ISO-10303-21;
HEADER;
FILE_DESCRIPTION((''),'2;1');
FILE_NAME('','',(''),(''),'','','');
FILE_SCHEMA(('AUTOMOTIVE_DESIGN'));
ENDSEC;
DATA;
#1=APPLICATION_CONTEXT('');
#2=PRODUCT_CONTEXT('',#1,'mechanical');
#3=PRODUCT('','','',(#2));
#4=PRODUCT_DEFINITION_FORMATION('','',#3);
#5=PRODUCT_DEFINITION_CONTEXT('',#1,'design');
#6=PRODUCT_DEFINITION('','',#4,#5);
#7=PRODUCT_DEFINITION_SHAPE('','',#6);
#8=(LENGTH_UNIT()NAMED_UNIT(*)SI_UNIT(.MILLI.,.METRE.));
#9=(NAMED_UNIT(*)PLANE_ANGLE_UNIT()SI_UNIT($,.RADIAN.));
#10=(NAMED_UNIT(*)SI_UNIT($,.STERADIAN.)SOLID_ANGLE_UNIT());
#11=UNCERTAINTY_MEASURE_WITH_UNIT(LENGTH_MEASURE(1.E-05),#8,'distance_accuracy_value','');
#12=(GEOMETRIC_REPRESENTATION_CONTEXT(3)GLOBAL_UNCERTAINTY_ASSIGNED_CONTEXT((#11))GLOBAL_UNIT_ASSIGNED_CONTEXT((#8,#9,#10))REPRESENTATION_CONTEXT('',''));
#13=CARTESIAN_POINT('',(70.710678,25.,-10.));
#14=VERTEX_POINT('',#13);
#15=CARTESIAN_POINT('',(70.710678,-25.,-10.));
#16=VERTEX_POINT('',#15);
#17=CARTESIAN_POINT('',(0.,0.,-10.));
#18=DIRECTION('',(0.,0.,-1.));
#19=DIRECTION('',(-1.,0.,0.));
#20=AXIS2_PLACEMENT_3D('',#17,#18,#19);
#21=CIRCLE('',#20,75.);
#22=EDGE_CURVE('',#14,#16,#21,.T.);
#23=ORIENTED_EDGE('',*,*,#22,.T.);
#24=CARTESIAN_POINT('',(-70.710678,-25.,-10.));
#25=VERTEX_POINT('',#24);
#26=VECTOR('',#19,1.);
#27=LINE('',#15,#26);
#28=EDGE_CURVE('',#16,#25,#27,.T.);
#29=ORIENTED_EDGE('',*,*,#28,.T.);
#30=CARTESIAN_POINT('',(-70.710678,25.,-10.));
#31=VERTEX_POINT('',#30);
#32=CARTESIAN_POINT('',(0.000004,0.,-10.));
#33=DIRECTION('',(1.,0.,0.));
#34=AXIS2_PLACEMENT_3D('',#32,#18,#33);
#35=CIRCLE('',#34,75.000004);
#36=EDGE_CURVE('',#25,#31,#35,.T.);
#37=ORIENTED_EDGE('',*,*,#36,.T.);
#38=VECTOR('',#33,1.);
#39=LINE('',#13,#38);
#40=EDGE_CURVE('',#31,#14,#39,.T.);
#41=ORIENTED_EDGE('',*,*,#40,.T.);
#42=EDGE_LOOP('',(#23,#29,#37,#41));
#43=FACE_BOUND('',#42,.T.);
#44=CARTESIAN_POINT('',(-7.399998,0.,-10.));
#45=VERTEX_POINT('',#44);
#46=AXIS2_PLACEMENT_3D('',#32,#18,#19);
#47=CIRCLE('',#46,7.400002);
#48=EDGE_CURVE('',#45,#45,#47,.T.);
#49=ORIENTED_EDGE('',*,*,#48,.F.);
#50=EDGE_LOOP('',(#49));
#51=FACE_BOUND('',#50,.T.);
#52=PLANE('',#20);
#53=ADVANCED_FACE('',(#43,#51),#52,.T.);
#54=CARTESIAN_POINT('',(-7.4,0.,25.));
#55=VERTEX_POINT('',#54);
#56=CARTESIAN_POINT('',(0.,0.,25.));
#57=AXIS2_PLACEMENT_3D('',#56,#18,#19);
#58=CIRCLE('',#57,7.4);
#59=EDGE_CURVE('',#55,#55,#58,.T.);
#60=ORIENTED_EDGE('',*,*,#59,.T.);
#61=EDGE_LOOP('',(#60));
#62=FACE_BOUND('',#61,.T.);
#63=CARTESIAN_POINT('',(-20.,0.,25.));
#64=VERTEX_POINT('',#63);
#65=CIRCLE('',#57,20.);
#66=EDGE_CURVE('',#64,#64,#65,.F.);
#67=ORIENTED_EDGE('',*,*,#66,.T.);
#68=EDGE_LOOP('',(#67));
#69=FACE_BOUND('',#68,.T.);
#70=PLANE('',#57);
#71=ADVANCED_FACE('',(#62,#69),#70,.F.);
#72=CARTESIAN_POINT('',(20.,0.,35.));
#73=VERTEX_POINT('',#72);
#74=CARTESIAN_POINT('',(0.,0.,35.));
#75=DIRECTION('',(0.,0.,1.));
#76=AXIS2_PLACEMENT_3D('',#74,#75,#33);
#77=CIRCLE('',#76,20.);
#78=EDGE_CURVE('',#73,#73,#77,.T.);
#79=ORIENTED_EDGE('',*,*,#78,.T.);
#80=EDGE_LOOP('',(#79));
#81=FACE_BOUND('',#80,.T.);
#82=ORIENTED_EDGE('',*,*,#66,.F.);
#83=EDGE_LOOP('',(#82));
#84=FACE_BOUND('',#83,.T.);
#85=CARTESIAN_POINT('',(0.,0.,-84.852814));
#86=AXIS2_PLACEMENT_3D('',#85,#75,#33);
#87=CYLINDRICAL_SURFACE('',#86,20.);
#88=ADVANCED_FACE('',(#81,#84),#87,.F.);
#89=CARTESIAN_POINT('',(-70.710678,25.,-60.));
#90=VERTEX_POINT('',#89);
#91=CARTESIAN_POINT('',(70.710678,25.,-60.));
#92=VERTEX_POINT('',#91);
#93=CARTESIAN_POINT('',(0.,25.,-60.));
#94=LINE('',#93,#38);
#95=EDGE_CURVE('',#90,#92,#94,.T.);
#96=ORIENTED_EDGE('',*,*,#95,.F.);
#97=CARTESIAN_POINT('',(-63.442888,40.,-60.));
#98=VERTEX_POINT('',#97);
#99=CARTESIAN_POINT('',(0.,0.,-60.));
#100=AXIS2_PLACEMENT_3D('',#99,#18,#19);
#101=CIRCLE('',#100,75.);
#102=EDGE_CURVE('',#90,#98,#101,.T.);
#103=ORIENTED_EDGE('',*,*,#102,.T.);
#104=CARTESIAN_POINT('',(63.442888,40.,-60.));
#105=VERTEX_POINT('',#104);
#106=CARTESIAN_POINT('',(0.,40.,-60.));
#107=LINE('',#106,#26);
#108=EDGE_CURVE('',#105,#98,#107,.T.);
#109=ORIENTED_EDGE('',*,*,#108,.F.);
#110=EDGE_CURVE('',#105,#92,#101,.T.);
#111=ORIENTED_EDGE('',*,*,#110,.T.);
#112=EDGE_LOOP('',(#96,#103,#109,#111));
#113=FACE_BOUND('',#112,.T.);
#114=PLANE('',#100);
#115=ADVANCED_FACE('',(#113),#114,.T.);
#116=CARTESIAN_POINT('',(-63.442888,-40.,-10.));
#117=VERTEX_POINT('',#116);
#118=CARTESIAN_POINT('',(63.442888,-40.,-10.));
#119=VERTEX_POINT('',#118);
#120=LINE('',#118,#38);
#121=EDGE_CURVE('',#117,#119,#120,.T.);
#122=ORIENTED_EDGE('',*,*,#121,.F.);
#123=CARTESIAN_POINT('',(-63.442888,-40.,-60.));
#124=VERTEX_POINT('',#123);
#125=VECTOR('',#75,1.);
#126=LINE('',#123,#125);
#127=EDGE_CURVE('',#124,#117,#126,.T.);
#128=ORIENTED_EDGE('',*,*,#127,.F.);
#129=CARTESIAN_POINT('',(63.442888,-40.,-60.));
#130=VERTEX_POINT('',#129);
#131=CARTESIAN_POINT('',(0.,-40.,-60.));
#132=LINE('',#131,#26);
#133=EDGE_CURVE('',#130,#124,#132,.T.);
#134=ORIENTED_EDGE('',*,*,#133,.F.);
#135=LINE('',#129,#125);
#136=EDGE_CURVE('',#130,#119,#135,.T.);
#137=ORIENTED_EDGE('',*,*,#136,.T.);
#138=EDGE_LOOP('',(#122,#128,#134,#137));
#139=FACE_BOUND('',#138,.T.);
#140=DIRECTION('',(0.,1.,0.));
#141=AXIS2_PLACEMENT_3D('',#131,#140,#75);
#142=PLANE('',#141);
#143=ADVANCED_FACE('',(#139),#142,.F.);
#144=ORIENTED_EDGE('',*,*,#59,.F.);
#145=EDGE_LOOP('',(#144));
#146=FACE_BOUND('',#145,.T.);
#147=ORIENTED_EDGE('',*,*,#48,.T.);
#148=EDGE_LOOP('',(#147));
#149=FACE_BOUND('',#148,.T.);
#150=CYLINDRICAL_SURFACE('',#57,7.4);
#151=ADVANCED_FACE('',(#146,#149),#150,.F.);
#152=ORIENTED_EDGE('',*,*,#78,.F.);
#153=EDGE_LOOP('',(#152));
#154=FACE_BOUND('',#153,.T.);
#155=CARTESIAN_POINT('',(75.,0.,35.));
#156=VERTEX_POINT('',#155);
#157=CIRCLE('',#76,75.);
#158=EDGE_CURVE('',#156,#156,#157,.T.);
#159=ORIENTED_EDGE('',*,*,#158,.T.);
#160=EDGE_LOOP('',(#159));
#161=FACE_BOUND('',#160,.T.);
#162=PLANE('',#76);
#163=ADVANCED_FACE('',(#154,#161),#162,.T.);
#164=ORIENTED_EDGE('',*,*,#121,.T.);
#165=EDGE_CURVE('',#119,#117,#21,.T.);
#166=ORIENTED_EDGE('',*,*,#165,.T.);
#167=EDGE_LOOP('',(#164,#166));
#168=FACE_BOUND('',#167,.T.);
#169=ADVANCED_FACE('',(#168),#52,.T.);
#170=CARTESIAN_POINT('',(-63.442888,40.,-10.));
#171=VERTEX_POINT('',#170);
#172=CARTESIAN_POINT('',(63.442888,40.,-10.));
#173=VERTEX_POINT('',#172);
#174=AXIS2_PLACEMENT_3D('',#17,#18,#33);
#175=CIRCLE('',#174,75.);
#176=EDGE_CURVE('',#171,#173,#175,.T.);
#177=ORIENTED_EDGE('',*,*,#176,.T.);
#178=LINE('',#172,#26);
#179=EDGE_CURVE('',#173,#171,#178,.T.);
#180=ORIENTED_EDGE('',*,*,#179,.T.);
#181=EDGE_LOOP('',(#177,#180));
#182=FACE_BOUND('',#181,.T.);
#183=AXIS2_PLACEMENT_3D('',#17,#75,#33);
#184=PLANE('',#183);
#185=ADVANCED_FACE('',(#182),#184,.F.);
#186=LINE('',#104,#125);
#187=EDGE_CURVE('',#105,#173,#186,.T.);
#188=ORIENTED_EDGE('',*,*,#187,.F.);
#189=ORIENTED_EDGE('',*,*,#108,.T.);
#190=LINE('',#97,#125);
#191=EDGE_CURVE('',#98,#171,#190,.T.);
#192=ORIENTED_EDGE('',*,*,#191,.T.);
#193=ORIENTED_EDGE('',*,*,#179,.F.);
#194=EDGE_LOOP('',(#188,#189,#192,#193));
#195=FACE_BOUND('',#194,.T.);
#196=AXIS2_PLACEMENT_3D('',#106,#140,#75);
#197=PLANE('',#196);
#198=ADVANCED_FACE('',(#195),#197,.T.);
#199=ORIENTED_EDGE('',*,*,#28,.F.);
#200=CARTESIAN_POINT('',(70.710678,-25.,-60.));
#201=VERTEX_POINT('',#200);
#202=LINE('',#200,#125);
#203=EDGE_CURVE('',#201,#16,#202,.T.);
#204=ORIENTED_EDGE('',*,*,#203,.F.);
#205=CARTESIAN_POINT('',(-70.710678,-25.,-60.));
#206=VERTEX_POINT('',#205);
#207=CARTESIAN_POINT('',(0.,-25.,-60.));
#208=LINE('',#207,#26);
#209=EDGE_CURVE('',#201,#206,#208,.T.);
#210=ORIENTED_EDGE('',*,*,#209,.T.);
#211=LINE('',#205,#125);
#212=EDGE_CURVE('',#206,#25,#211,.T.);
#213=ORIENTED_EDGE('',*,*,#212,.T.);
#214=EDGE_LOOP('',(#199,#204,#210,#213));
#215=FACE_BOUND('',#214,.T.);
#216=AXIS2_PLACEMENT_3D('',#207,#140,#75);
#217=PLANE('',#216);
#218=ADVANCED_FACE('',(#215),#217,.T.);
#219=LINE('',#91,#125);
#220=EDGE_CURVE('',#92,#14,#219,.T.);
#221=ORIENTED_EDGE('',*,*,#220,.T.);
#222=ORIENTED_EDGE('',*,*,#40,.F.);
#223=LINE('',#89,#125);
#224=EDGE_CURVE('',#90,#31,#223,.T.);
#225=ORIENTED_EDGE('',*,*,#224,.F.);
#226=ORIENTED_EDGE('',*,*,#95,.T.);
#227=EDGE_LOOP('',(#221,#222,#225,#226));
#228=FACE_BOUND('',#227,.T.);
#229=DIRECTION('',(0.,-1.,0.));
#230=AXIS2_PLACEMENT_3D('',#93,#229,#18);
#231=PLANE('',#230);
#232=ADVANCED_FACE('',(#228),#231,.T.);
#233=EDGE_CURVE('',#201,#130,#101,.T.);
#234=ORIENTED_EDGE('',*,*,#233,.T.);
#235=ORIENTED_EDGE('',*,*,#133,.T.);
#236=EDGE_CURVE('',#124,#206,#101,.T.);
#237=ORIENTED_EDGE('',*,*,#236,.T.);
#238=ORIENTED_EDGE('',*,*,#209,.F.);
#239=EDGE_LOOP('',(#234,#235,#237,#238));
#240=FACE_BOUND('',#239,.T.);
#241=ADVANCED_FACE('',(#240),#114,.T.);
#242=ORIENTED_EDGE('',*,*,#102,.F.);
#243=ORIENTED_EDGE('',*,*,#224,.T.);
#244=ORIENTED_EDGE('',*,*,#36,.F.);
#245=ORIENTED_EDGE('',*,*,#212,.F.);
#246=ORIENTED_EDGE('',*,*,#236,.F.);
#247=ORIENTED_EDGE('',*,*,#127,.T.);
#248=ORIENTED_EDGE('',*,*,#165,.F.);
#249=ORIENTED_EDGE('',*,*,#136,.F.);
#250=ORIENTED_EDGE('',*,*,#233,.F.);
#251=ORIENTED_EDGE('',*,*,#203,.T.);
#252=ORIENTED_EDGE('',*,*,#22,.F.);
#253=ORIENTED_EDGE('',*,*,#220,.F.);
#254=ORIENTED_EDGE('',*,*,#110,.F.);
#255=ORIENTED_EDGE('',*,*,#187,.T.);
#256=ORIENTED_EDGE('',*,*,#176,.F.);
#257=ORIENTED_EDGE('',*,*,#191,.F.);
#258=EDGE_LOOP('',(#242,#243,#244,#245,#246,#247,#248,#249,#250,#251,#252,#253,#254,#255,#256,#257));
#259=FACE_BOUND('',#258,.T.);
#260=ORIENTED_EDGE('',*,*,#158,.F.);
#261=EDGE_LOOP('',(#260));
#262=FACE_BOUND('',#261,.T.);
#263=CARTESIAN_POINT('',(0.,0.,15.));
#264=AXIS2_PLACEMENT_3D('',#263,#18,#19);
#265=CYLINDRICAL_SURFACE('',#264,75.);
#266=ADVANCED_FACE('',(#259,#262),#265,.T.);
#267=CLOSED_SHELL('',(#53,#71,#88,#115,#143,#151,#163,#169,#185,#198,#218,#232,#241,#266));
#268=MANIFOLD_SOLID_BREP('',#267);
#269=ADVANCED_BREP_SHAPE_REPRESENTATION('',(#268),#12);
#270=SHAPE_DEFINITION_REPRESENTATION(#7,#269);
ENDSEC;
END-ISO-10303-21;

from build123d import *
from build123d.topology import SkipClean

# Parameters (mm, degrees)
CROQUIS1_R              = 75
SALIENTE_EXTRUIR1_DEPTH = 15
SALIENTE_EXTRUIR2_START = 60
SALIENTE_EXTRUIR2_DEPTH = 60
CROQUIS3_R              = 75
CROQUIS3_R_2            = 60
SALIENTE_EXTRUIR3_DEPTH = 20
CROQUIS4_R              = 25
CORTAR_EXTRUIR1_DEPTH   = 20
SALIENTE_EXTRUIR4_START = -30
CROQUIS5_R              = 60
CROQUIS5_R_2            = 30
SALIENTE_EXTRUIR4_DEPTH = 30
CROQUIS6_R              = 30
CROQUIS6_R_2            = 25
SALIENTE_EXTRUIR5_DEPTH = 10
SALIENTE_EXTRUIR6_START = -35
CROQUIS7_R              = 30
CROQUIS7_R_2            = 20
SALIENTE_EXTRUIR6_DEPTH = 35
CROQUIS8_R              = 20
CROQUIS8_R_2            = 7.4
SALIENTE_EXTRUIR7_DEPTH = 25
SALIENTE_EXTRUIR9_START = 10
CROQUIS9_R              = 7.400002037
SALIENTE_EXTRUIR9_DEPTH = 10


with BuildPart() as part:
    # Croquis1 → Saliente-Extruir1 (new body)
    with BuildSketch(Plane.XY):
        Circle(CROQUIS1_R)
    extrude(amount=SALIENTE_EXTRUIR1_DEPTH)

    # Croquis2 → Saliente-Extruir2 (add)
    with SkipClean():  # the faces are left unmerged after this step: merging them gives an invalid solid
        with BuildSketch(Plane(origin=(0, 0, 0), x_dir=(-1, 0, 0), z_dir=(0, 0, -1)).offset(SALIENTE_EXTRUIR2_START)):
            with BuildLine():
                Line((-70.710678119, 25), (0, 25))
                Line((0, 25), (0, 40))
                Line((0, 40), (-63.442887702, 40))
                ThreePointArc((-63.442887702, 40), (-67.494776136, 32.70252581), (-70.710678119, 25))
            make_face()
            with BuildLine():
                Line((0, 40), (0, 25))
                Line((0, 25), (70.710678119, 25))
                ThreePointArc((70.710678119, 25), (67.494776136, 32.70252581), (63.442887702, 40))
                Line((63.442887702, 40), (0, 40))
            make_face()
            with BuildLine():
                Line((-70.710678119, 25), (0, 25))
                Line((0, 25), (0, 40))
                Line((0, 40), (-63.442887702, 40))
                ThreePointArc((-63.442887702, 40), (-67.494776136, 32.70252581), (-70.710678119, 25))
            make_face()
            with BuildLine():
                Line((0, -40), (0, -25))
                Line((0, -25), (-70.710678119, -25))
                ThreePointArc((-70.710678119, -25), (-67.494776136, -32.70252581), (-63.442887702, -40))
                Line((-63.442887702, -40), (0, -40))
            make_face()
            with BuildLine():
                Line((70.710678119, -25), (0, -25))
                Line((0, -25), (0, -40))
                Line((0, -40), (63.442887702, -40))
                ThreePointArc((63.442887702, -40), (67.494776136, -32.70252581), (70.710678119, -25))
            make_face()
            with BuildLine():
                Line((0, -40), (0, -25))
                Line((0, -25), (-70.710678119, -25))
                ThreePointArc((-70.710678119, -25), (-67.494776136, -32.70252581), (-63.442887702, -40))
                Line((-63.442887702, -40), (0, -40))
            make_face()
            with BuildLine():
                Line((70.710678119, -25), (0, -25))
                Line((0, -25), (0, -40))
                Line((0, -40), (63.442887702, -40))
                ThreePointArc((63.442887702, -40), (67.494776136, -32.70252581), (70.710678119, -25))
            make_face()
        extrude(amount=-SALIENTE_EXTRUIR2_DEPTH)

    # Croquis3 → Saliente-Extruir3 (add)
    with SkipClean():  # the faces are left unmerged after this step: merging them gives an invalid solid
        with BuildSketch(Plane.XY.offset(15)):
            with Locations(Location((0, 0, 0), (0, 0, 160.528779366))):
                Circle(CROQUIS3_R)
            Circle(CROQUIS3_R_2, mode=Mode.SUBTRACT)
        extrude(amount=SALIENTE_EXTRUIR3_DEPTH)

    # Croquis4 → Cortar-Extruir1 (cut)
    with SkipClean():  # the faces are left unmerged after this step: merging them gives an invalid solid
        with BuildSketch(Plane.XY.offset(15)):
            Circle(CROQUIS4_R)
        extrude(amount=-CORTAR_EXTRUIR1_DEPTH, mode=Mode.SUBTRACT)

    # Croquis5 → Saliente-Extruir4 (add)
    with SkipClean():  # the faces are left unmerged after this step: merging them gives an invalid solid
        with BuildSketch(Plane.XY.offset(35).offset(SALIENTE_EXTRUIR4_START)):
            Circle(CROQUIS5_R)
            Circle(CROQUIS5_R_2, mode=Mode.SUBTRACT)
        extrude(amount=SALIENTE_EXTRUIR4_DEPTH)

    # Croquis6 → Saliente-Extruir5 (add)
    with SkipClean():  # the faces are left unmerged after this step: merging them gives an invalid solid
        with BuildSketch(Plane.XY.offset(15)):
            Circle(CROQUIS6_R)
            Circle(CROQUIS6_R_2, mode=Mode.SUBTRACT)
        extrude(amount=SALIENTE_EXTRUIR5_DEPTH)

    # Croquis7 → Saliente-Extruir6 (add)
    with SkipClean():  # the faces are left unmerged after this step: merging them gives an invalid solid
        with BuildSketch(Plane.XY.offset(35).offset(SALIENTE_EXTRUIR6_START)):
            Circle(CROQUIS7_R)
            Circle(CROQUIS7_R_2, mode=Mode.SUBTRACT)
        extrude(amount=SALIENTE_EXTRUIR6_DEPTH)

    # Croquis8 → Saliente-Extruir7 (add)
    with SkipClean():  # the faces are left unmerged after this step: merging them gives an invalid solid
        with BuildSketch(Plane(origin=(0, 0, 0), x_dir=(-1, 0, 0), z_dir=(0, 0, -1))):
            with Locations(Location((0, 0, 0), (0, 0, 180))):
                Circle(CROQUIS8_R)
            Circle(CROQUIS8_R_2, mode=Mode.SUBTRACT)
        extrude(amount=-SALIENTE_EXTRUIR7_DEPTH)

    # Croquis9 → Saliente-Extruir9 (add)
    # profile 1 of 3: a face of its own
    with SkipClean():  # the faces are left unmerged after this step: merging them gives an invalid solid
        with BuildSketch(Plane(origin=(0, 0, 0), x_dir=(-1, 0, 0), z_dir=(0, 0, -1)).offset(SALIENTE_EXTRUIR9_START)):
            with BuildLine():
                Line((-63.442887702, 40), (63.442887702, 40))
                ThreePointArc((63.442887702, 40), (0, 75), (-63.442887702, 40))
            make_face()
        # profile 2 of 3: a face of its own
        with BuildSketch(Plane(origin=(0, 0, 0), x_dir=(-1, 0, 0), z_dir=(0, 0, -1)).offset(SALIENTE_EXTRUIR9_START)):
            with BuildLine():
                Line((-70.710678119, 25), (70.710678119, 25))
                ThreePointArc((70.710678119, 25), (74.999999766, 0), (70.710678119, -25))
                Line((70.710678119, -25), (-70.710678119, -25))
                ThreePointArc((-70.710678119, -25), (-75, 0), (-70.710678119, 25))
            make_face()
            with Locations((-4.084e-06, 0)):
                Circle(CROQUIS9_R, mode=Mode.SUBTRACT)
        # profile 3 of 3: a face of its own
        with BuildSketch(Plane(origin=(0, 0, 0), x_dir=(-1, 0, 0), z_dir=(0, 0, -1)).offset(SALIENTE_EXTRUIR9_START)):
            with BuildLine():
                Line((-63.442887702, -40), (63.442887702, -40))
                ThreePointArc((63.442887702, -40), (0, -75), (-63.442887702, -40))
            make_face()
        extrude(amount=-SALIENTE_EXTRUIR9_DEPTH)


solid = part.part
